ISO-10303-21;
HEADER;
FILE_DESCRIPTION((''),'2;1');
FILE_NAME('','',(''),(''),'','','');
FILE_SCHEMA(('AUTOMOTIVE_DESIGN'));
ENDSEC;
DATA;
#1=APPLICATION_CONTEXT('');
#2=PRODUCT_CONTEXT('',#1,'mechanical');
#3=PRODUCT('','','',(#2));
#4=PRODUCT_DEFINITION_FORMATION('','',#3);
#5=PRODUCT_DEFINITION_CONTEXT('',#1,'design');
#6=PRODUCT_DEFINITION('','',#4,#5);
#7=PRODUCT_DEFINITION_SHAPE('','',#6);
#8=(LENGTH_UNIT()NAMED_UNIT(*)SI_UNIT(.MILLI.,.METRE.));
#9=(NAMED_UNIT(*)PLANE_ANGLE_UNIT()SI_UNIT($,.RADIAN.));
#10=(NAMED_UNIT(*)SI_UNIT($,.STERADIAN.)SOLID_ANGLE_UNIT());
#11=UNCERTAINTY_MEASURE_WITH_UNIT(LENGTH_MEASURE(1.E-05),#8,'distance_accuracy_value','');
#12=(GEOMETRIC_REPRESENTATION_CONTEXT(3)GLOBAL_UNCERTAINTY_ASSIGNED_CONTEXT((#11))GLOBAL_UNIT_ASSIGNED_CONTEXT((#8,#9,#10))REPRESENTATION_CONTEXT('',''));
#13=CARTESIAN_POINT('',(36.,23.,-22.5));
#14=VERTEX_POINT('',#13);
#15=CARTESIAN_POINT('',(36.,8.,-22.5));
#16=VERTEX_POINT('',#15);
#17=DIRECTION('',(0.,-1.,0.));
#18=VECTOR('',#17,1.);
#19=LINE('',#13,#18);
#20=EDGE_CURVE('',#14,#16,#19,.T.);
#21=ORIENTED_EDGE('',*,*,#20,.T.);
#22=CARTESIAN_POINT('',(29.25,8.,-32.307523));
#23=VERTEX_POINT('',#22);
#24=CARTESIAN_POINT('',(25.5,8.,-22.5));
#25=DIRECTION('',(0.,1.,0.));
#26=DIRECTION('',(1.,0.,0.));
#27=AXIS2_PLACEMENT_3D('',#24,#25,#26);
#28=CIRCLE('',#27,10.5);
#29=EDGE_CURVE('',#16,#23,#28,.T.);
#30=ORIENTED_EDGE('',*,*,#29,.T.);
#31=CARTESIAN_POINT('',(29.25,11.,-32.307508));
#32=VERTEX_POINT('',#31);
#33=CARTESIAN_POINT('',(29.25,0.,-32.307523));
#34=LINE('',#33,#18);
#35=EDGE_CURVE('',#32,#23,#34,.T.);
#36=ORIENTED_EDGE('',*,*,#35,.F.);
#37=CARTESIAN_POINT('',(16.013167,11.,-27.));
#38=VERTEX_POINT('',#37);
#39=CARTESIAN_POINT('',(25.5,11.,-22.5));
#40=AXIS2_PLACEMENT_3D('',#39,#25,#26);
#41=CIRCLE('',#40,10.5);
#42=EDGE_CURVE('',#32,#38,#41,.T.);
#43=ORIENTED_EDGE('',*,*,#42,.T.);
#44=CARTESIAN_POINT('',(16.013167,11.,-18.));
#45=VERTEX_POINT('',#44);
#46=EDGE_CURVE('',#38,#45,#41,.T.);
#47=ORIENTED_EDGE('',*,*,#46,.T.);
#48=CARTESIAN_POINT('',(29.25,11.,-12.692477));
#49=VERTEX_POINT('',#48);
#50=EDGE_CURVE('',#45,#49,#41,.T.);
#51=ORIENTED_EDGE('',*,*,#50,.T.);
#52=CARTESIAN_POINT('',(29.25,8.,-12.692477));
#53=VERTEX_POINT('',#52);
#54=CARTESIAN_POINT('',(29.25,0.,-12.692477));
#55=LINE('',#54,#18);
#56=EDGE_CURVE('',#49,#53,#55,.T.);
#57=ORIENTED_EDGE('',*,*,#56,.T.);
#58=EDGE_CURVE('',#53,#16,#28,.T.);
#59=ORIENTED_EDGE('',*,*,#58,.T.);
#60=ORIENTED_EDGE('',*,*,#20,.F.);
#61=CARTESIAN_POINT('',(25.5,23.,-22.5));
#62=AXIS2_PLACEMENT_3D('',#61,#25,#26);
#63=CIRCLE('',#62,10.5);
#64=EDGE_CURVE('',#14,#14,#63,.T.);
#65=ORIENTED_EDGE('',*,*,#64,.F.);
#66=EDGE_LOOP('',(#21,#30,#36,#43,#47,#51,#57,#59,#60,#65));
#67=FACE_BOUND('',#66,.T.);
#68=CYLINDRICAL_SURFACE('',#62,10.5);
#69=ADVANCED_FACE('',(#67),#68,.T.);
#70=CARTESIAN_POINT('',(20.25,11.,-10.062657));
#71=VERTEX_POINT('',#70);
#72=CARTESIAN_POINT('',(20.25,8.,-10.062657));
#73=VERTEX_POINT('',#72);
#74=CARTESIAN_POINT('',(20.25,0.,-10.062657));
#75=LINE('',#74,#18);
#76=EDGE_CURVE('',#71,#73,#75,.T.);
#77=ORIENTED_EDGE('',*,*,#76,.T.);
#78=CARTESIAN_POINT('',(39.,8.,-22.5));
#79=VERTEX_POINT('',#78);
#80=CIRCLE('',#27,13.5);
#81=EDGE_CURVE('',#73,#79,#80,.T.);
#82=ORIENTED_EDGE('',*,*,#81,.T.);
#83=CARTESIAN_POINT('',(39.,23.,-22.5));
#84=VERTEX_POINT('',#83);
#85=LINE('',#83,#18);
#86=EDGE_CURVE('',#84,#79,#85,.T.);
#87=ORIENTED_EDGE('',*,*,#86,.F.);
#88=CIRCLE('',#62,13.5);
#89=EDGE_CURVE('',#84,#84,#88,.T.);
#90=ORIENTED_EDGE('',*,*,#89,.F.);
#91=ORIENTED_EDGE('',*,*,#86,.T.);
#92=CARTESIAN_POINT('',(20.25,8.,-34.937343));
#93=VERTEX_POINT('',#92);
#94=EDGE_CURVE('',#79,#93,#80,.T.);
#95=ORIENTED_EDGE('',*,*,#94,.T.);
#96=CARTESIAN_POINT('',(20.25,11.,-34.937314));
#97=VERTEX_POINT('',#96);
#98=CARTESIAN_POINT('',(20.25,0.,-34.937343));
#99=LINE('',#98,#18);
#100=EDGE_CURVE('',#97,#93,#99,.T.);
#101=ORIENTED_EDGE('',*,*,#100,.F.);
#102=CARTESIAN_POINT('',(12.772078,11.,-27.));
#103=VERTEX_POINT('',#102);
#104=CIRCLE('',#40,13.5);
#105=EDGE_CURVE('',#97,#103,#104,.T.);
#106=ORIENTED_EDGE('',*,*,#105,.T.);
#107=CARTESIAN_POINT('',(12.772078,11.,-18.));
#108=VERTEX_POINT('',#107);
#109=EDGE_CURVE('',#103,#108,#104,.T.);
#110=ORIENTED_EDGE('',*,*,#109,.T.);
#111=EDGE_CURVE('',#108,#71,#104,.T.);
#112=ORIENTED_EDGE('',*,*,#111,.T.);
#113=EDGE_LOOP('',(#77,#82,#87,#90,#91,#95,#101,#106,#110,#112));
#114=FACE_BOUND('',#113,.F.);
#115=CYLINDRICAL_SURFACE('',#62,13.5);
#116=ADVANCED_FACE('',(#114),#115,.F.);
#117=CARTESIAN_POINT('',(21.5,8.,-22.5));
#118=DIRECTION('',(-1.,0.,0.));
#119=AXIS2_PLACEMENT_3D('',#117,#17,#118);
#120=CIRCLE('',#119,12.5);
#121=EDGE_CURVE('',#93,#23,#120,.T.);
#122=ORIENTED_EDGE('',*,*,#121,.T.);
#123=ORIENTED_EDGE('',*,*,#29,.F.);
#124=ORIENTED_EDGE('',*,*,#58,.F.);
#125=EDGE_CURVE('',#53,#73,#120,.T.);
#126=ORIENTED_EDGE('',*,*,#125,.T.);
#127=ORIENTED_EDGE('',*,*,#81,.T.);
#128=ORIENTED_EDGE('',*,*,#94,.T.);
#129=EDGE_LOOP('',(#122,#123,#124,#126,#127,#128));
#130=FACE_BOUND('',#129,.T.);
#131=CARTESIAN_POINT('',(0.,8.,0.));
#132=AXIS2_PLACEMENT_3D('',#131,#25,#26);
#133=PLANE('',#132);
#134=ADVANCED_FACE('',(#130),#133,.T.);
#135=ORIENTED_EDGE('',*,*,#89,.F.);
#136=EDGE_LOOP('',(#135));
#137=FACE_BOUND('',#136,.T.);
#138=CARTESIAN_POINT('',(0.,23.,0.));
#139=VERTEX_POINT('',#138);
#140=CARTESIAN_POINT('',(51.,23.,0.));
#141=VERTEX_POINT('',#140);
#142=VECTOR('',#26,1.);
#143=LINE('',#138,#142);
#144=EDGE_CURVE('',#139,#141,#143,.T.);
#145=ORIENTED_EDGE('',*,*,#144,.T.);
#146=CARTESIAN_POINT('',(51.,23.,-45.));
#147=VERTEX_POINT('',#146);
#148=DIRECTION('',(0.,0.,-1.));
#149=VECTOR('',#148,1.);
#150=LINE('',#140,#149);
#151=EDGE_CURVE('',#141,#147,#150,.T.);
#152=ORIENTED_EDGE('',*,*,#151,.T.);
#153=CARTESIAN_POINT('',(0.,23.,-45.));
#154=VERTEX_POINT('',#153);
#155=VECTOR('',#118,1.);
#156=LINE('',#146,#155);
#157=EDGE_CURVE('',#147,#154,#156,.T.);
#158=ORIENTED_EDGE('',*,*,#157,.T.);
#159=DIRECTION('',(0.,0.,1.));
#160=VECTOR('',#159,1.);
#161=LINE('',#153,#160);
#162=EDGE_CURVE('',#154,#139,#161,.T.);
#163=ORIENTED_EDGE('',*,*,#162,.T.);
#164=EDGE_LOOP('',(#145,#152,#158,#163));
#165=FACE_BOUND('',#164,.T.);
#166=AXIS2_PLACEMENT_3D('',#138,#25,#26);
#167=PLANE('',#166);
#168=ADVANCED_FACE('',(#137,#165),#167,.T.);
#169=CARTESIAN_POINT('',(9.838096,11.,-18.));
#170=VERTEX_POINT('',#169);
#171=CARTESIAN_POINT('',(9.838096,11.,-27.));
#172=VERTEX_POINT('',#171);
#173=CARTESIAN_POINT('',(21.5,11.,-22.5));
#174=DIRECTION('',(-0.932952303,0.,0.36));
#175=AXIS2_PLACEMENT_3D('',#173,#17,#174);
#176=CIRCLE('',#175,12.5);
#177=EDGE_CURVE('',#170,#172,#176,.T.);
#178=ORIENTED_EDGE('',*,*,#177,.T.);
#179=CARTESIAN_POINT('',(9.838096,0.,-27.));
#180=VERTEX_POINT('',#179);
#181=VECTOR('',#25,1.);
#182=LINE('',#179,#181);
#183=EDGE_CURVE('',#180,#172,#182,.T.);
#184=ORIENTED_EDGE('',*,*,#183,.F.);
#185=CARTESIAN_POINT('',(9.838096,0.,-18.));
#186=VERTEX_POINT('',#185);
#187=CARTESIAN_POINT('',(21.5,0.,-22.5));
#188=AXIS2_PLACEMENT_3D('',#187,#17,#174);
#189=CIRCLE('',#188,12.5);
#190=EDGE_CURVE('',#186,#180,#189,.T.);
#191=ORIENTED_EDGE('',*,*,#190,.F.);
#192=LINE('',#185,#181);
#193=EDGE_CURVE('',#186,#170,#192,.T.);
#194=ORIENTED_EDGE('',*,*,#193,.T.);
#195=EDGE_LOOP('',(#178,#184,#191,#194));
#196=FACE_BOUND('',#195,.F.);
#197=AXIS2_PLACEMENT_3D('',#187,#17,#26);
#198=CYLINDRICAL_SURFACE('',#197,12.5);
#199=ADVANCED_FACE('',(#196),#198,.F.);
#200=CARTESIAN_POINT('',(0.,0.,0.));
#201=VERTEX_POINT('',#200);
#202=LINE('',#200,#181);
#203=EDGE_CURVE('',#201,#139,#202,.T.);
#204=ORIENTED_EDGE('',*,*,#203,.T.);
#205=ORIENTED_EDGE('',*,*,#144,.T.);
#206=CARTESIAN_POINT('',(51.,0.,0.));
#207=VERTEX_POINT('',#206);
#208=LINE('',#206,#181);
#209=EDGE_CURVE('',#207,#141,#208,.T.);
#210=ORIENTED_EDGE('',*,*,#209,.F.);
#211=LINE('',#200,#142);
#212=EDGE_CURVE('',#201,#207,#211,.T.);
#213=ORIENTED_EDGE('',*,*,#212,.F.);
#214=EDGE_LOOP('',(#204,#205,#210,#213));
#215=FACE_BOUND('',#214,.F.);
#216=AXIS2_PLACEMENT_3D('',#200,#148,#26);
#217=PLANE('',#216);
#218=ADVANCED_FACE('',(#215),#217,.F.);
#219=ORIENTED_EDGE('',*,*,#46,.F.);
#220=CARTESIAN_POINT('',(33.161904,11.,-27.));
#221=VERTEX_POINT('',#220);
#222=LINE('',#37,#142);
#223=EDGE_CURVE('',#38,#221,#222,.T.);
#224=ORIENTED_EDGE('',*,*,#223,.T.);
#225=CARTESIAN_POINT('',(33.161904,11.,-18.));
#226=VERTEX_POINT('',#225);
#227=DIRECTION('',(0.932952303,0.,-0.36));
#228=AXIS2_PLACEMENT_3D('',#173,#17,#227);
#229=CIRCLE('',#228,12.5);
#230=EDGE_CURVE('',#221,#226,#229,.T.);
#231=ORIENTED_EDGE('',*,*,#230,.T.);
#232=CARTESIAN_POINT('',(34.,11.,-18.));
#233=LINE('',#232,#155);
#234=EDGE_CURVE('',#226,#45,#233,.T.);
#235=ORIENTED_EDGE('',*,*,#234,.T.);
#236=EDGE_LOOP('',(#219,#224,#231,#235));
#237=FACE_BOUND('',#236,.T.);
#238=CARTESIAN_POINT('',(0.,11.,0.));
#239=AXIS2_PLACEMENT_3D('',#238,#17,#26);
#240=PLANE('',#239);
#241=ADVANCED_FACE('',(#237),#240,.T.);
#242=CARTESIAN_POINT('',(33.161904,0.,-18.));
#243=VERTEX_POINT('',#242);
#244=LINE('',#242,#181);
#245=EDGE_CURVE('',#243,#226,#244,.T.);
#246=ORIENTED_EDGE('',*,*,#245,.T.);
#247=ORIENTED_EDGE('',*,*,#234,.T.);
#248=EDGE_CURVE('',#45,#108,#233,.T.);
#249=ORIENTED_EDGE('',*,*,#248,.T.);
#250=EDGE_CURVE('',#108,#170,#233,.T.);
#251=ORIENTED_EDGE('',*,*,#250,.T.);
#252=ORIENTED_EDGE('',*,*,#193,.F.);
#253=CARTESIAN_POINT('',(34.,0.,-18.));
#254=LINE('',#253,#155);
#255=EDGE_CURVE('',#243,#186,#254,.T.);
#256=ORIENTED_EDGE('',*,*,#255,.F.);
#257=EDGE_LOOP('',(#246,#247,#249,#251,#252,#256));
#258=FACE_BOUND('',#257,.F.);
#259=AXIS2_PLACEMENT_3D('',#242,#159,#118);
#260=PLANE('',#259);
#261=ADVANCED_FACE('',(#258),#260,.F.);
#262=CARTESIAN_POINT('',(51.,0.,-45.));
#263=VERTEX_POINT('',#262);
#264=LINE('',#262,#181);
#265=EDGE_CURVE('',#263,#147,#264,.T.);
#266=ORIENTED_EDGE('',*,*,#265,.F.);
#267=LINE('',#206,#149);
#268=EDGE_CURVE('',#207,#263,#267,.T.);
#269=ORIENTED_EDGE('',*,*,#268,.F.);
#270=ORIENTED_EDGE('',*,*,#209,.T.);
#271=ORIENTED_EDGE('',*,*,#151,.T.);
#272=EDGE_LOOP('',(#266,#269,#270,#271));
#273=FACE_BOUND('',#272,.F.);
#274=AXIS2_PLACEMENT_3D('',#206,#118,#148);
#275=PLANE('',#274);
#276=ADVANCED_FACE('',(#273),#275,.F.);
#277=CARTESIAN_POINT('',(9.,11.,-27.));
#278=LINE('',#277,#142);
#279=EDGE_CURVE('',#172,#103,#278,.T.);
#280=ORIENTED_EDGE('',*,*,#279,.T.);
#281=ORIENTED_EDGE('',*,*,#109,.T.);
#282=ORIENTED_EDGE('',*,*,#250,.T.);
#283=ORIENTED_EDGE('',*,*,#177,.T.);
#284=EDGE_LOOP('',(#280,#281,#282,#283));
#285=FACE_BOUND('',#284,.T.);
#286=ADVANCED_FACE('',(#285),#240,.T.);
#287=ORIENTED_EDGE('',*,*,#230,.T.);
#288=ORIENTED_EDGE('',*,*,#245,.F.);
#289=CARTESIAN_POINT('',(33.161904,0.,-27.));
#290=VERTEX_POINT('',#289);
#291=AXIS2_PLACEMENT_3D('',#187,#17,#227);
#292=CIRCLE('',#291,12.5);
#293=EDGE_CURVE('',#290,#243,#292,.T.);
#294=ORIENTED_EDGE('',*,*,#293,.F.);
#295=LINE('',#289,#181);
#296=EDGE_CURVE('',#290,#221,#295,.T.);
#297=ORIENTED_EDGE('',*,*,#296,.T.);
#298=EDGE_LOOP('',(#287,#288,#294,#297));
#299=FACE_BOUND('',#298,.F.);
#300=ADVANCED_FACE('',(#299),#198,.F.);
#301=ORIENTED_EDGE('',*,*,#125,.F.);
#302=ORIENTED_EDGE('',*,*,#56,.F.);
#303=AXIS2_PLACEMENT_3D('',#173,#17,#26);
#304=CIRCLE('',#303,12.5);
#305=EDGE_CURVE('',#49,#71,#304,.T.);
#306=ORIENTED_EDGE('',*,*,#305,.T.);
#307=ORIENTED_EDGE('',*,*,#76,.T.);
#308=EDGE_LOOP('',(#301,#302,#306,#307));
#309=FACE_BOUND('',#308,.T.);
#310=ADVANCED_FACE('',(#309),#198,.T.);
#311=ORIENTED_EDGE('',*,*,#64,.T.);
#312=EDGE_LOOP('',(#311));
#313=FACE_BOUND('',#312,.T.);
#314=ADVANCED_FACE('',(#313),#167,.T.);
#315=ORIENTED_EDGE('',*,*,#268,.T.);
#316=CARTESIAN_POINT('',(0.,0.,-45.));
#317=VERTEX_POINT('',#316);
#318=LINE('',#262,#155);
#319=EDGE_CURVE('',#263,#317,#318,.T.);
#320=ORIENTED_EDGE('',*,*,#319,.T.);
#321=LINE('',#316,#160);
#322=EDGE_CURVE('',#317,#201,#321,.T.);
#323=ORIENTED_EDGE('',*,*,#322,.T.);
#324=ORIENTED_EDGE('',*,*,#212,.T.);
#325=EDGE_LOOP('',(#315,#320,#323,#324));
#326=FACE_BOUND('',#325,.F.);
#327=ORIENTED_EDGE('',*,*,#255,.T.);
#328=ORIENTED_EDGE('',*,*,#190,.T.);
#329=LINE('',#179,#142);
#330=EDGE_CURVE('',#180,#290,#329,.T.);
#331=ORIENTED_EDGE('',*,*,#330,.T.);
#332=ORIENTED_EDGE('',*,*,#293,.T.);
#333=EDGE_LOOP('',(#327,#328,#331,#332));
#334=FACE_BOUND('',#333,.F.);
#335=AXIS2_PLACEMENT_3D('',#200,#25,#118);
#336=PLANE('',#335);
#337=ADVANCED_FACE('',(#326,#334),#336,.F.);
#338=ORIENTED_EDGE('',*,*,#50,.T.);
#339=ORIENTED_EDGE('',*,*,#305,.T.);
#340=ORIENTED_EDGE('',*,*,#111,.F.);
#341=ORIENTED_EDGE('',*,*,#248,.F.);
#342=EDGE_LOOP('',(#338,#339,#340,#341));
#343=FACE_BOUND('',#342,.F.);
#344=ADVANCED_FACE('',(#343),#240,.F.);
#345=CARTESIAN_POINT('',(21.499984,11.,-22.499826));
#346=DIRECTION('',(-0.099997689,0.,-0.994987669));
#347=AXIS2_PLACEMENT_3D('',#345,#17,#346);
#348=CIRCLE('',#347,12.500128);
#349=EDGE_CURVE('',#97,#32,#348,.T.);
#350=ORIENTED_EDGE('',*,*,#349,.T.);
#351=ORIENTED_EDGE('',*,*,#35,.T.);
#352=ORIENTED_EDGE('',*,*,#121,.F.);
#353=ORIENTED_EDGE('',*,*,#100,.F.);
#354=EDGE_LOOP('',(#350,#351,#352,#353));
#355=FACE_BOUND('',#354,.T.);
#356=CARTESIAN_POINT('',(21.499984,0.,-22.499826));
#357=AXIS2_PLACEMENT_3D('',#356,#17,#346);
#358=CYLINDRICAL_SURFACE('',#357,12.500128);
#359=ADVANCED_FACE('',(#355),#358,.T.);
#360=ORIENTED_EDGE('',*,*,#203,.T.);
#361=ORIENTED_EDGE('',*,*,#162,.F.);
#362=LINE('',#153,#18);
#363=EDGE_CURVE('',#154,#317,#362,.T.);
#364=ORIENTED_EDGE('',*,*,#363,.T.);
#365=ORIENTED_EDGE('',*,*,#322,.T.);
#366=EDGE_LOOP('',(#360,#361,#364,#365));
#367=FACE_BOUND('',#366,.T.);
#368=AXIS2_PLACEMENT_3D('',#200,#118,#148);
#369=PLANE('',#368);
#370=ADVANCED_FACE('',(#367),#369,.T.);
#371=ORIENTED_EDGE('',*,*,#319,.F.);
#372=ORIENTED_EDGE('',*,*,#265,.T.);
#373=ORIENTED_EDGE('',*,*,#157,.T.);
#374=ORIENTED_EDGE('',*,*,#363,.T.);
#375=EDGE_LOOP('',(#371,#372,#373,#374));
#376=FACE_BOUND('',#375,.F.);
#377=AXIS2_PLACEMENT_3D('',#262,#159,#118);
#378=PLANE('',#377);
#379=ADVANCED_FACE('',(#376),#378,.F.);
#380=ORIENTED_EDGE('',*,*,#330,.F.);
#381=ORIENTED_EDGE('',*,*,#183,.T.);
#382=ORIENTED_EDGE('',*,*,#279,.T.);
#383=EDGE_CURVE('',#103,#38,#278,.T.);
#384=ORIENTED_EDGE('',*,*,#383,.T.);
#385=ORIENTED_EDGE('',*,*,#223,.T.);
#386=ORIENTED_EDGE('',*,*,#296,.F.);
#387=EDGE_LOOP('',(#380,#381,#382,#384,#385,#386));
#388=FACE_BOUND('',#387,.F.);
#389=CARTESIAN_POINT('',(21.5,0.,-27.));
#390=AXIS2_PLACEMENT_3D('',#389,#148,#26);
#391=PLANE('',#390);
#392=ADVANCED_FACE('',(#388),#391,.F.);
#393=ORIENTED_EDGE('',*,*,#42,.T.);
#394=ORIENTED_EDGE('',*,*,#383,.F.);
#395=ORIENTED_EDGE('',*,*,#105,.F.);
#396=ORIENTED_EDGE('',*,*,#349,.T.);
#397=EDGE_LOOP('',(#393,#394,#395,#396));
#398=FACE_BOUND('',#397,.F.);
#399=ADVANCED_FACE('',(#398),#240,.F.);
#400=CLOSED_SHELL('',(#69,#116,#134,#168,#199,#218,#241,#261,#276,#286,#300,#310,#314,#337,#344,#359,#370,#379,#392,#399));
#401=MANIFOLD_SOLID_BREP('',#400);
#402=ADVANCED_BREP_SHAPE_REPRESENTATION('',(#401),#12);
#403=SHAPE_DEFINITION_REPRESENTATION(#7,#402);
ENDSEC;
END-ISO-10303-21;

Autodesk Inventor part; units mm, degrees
ref_plane "YZ Plane" through (0, 0, 0) normal (1, 0, 0) x (0, 1, 0)
ref_plane "XZ Plane" through (0, 0, 0) normal (0, 1, 0) x (-1, 0, 0)
ref_plane "XY Plane" through (0, 0, 0) normal (0, 0, 1) x (1, 0, 0)
sketch "Sketch1" plane through (0, 0, 0) normal (0, 1, 0) x (-1, 0, 0)
  point P0 (0, 0)
sketch "Sketch2" plane through (0, 0, 0) normal (0, 1, 0) x (-1, 0, 0)
  line L0 (0, 0) -> (-51, 0)
  line L1 (-51, 0) -> (-51, -45)
  line L2 (-51, -45) -> (0, -45)
  line L3 (0, 0) -> (0, -45)
  line L4 (0, -45) -> (0, -22.5)
  circle A0 centre (-21.5, -22.5) radius 12.5
  dimension "d0" = 51
  dimension "d1" = 45
  dimension "d6" = 25
extrude "Extrusion1" add sketch "Sketch2" along normal blind 11
sketch "Sketch3" plane through (0, 11, 0) normal (0, 1, 0) x (1, 0, 0)
  line L0 (0, 45) -> (0, 0) projected
  line L1 (51, 0) -> (51, 45) projected
  line L2 (0, 0) -> (51, 0)
  line L3 (51, 0) -> (51, 45)
  line L4 (51, 45) -> (0, 45)
  line L5 (0, 45) -> (0, 0)
extrude "Extrusion2" add sketch "Sketch3" along normal blind 12
sketch "Sketch4" plane through (0, 23, 0) normal (0, 1, 0) x (1, 0, 0)
  line L0 (0, 45) -> (0, 0) projected
  line L1 (0, 0) -> (51, 0) projected
  line L2 (3, 14) -> (3, 31)
  line L3 (3, 22.5) -> (3, 20.3)
  line L4 (3, 20.3) -> (3, 24.7)
  line L5 (17.5, 19.5) -> (3, 20.3)
  line L6 (3, 24.7) -> (17.5, 25.5)
  line L7 (17.5, 25.5) -> (17.5, 31.5)
  line L8 (17.5, 31.5) -> (21.5, 31.5)
  line L9 (21.5, 31.5) -> (21.5, 26.5)
  line L10 (17.5, 19.5) -> (17.5, 13.5)
  line L11 (17.5, 13.5) -> (21.5, 13.5)
  line L12 (21.5, 13.5) -> (21.5, 18.5)
  line L13 (38.5, 22.5) -> (38.5, 20.3)
  line L14 (38.5, 20.3) -> (38.5, 24.7)
  line L15 (38.5, 24.7) -> (21.5, 26.5)
  line L16 (38.5, 20.3) -> (21.5, 18.5)
  dimension "d13" = 17
  dimension "d14" = 2.2
  dimension "d15" = 4.4
  dimension "d18" = 6
  dimension "d19" = 6
  dimension "d20" = 4
  dimension "d21" = 5
  dimension "d23" = 6
  dimension "d24" = 4
  dimension "d25" = 5
  dimension "d26" = 2.2
  dimension "d27" = 4.4
extrude "Extrusion3" cut sketch "Sketch4" against normal blind 4
extrude "Extrusion4" add sketch "Sketch4" against normal blind 4
sketch "Sketch5" plane through (0, 23, 0) normal (0, 1, 0) x (1, 0, 0)
  line L0 (0, 0) -> (51, 0) projected
  circle A0 centre (25.5, 22.5) radius 13.5
  circle A1 centre (25.5, 22.5) radius 10.5
  dimension "d32" = 27
  dimension "d33" = 21
extrude "Extrusion5" cut sketch "Sketch5" against normal blind 15
sketch "Sketch6" plane through (0, 0, 0) normal (0, -1, 0) x (1, 0, 0)
  arc A0 (20.25, -34.9373) -> (29.25, -32.3075) centre (21.5, -22.5) ccw projected
  circle A1 centre (21.5, -22.5) radius 12.5
  point P0 (0, 0)
extrude "Extrusion6" add sketch "Sketch6" against normal blind 11
sketch "Sketch7" plane through (0, 0, 0) normal (0, -1, 0) x (1, 0, 0)
  line L0 (21.5, -27) -> (34, -27)
  line L1 (34, -27) -> (34, -22.5)
  line L2 (34, -22.5) -> (34, -18)
  line L3 (34, -18) -> (9, -18)
  line L4 (9, -18) -> (9, -27)
  line L5 (9, -27) -> (21.5, -27)
  circle A0 centre (21.5, -22.5) radius 12.5
  point P0 (0, 0)
  point P1 (33.1619, -18)
  point P2 (9.8381, -18)
  point P3 (9.8381, -27)
  point P4 (33.1619, -27)
  dimension "d44" = 12.5
  dimension "d45" = 4.5
  dimension "d46" = 25
  dimension "d47" = 9
  dimension "d48" = 25
extrude "Extrusion7" cut sketch "Sketch7" against normal blind 11 contours L5 A0 L3 L0
properties part number "CameraOverhead"
